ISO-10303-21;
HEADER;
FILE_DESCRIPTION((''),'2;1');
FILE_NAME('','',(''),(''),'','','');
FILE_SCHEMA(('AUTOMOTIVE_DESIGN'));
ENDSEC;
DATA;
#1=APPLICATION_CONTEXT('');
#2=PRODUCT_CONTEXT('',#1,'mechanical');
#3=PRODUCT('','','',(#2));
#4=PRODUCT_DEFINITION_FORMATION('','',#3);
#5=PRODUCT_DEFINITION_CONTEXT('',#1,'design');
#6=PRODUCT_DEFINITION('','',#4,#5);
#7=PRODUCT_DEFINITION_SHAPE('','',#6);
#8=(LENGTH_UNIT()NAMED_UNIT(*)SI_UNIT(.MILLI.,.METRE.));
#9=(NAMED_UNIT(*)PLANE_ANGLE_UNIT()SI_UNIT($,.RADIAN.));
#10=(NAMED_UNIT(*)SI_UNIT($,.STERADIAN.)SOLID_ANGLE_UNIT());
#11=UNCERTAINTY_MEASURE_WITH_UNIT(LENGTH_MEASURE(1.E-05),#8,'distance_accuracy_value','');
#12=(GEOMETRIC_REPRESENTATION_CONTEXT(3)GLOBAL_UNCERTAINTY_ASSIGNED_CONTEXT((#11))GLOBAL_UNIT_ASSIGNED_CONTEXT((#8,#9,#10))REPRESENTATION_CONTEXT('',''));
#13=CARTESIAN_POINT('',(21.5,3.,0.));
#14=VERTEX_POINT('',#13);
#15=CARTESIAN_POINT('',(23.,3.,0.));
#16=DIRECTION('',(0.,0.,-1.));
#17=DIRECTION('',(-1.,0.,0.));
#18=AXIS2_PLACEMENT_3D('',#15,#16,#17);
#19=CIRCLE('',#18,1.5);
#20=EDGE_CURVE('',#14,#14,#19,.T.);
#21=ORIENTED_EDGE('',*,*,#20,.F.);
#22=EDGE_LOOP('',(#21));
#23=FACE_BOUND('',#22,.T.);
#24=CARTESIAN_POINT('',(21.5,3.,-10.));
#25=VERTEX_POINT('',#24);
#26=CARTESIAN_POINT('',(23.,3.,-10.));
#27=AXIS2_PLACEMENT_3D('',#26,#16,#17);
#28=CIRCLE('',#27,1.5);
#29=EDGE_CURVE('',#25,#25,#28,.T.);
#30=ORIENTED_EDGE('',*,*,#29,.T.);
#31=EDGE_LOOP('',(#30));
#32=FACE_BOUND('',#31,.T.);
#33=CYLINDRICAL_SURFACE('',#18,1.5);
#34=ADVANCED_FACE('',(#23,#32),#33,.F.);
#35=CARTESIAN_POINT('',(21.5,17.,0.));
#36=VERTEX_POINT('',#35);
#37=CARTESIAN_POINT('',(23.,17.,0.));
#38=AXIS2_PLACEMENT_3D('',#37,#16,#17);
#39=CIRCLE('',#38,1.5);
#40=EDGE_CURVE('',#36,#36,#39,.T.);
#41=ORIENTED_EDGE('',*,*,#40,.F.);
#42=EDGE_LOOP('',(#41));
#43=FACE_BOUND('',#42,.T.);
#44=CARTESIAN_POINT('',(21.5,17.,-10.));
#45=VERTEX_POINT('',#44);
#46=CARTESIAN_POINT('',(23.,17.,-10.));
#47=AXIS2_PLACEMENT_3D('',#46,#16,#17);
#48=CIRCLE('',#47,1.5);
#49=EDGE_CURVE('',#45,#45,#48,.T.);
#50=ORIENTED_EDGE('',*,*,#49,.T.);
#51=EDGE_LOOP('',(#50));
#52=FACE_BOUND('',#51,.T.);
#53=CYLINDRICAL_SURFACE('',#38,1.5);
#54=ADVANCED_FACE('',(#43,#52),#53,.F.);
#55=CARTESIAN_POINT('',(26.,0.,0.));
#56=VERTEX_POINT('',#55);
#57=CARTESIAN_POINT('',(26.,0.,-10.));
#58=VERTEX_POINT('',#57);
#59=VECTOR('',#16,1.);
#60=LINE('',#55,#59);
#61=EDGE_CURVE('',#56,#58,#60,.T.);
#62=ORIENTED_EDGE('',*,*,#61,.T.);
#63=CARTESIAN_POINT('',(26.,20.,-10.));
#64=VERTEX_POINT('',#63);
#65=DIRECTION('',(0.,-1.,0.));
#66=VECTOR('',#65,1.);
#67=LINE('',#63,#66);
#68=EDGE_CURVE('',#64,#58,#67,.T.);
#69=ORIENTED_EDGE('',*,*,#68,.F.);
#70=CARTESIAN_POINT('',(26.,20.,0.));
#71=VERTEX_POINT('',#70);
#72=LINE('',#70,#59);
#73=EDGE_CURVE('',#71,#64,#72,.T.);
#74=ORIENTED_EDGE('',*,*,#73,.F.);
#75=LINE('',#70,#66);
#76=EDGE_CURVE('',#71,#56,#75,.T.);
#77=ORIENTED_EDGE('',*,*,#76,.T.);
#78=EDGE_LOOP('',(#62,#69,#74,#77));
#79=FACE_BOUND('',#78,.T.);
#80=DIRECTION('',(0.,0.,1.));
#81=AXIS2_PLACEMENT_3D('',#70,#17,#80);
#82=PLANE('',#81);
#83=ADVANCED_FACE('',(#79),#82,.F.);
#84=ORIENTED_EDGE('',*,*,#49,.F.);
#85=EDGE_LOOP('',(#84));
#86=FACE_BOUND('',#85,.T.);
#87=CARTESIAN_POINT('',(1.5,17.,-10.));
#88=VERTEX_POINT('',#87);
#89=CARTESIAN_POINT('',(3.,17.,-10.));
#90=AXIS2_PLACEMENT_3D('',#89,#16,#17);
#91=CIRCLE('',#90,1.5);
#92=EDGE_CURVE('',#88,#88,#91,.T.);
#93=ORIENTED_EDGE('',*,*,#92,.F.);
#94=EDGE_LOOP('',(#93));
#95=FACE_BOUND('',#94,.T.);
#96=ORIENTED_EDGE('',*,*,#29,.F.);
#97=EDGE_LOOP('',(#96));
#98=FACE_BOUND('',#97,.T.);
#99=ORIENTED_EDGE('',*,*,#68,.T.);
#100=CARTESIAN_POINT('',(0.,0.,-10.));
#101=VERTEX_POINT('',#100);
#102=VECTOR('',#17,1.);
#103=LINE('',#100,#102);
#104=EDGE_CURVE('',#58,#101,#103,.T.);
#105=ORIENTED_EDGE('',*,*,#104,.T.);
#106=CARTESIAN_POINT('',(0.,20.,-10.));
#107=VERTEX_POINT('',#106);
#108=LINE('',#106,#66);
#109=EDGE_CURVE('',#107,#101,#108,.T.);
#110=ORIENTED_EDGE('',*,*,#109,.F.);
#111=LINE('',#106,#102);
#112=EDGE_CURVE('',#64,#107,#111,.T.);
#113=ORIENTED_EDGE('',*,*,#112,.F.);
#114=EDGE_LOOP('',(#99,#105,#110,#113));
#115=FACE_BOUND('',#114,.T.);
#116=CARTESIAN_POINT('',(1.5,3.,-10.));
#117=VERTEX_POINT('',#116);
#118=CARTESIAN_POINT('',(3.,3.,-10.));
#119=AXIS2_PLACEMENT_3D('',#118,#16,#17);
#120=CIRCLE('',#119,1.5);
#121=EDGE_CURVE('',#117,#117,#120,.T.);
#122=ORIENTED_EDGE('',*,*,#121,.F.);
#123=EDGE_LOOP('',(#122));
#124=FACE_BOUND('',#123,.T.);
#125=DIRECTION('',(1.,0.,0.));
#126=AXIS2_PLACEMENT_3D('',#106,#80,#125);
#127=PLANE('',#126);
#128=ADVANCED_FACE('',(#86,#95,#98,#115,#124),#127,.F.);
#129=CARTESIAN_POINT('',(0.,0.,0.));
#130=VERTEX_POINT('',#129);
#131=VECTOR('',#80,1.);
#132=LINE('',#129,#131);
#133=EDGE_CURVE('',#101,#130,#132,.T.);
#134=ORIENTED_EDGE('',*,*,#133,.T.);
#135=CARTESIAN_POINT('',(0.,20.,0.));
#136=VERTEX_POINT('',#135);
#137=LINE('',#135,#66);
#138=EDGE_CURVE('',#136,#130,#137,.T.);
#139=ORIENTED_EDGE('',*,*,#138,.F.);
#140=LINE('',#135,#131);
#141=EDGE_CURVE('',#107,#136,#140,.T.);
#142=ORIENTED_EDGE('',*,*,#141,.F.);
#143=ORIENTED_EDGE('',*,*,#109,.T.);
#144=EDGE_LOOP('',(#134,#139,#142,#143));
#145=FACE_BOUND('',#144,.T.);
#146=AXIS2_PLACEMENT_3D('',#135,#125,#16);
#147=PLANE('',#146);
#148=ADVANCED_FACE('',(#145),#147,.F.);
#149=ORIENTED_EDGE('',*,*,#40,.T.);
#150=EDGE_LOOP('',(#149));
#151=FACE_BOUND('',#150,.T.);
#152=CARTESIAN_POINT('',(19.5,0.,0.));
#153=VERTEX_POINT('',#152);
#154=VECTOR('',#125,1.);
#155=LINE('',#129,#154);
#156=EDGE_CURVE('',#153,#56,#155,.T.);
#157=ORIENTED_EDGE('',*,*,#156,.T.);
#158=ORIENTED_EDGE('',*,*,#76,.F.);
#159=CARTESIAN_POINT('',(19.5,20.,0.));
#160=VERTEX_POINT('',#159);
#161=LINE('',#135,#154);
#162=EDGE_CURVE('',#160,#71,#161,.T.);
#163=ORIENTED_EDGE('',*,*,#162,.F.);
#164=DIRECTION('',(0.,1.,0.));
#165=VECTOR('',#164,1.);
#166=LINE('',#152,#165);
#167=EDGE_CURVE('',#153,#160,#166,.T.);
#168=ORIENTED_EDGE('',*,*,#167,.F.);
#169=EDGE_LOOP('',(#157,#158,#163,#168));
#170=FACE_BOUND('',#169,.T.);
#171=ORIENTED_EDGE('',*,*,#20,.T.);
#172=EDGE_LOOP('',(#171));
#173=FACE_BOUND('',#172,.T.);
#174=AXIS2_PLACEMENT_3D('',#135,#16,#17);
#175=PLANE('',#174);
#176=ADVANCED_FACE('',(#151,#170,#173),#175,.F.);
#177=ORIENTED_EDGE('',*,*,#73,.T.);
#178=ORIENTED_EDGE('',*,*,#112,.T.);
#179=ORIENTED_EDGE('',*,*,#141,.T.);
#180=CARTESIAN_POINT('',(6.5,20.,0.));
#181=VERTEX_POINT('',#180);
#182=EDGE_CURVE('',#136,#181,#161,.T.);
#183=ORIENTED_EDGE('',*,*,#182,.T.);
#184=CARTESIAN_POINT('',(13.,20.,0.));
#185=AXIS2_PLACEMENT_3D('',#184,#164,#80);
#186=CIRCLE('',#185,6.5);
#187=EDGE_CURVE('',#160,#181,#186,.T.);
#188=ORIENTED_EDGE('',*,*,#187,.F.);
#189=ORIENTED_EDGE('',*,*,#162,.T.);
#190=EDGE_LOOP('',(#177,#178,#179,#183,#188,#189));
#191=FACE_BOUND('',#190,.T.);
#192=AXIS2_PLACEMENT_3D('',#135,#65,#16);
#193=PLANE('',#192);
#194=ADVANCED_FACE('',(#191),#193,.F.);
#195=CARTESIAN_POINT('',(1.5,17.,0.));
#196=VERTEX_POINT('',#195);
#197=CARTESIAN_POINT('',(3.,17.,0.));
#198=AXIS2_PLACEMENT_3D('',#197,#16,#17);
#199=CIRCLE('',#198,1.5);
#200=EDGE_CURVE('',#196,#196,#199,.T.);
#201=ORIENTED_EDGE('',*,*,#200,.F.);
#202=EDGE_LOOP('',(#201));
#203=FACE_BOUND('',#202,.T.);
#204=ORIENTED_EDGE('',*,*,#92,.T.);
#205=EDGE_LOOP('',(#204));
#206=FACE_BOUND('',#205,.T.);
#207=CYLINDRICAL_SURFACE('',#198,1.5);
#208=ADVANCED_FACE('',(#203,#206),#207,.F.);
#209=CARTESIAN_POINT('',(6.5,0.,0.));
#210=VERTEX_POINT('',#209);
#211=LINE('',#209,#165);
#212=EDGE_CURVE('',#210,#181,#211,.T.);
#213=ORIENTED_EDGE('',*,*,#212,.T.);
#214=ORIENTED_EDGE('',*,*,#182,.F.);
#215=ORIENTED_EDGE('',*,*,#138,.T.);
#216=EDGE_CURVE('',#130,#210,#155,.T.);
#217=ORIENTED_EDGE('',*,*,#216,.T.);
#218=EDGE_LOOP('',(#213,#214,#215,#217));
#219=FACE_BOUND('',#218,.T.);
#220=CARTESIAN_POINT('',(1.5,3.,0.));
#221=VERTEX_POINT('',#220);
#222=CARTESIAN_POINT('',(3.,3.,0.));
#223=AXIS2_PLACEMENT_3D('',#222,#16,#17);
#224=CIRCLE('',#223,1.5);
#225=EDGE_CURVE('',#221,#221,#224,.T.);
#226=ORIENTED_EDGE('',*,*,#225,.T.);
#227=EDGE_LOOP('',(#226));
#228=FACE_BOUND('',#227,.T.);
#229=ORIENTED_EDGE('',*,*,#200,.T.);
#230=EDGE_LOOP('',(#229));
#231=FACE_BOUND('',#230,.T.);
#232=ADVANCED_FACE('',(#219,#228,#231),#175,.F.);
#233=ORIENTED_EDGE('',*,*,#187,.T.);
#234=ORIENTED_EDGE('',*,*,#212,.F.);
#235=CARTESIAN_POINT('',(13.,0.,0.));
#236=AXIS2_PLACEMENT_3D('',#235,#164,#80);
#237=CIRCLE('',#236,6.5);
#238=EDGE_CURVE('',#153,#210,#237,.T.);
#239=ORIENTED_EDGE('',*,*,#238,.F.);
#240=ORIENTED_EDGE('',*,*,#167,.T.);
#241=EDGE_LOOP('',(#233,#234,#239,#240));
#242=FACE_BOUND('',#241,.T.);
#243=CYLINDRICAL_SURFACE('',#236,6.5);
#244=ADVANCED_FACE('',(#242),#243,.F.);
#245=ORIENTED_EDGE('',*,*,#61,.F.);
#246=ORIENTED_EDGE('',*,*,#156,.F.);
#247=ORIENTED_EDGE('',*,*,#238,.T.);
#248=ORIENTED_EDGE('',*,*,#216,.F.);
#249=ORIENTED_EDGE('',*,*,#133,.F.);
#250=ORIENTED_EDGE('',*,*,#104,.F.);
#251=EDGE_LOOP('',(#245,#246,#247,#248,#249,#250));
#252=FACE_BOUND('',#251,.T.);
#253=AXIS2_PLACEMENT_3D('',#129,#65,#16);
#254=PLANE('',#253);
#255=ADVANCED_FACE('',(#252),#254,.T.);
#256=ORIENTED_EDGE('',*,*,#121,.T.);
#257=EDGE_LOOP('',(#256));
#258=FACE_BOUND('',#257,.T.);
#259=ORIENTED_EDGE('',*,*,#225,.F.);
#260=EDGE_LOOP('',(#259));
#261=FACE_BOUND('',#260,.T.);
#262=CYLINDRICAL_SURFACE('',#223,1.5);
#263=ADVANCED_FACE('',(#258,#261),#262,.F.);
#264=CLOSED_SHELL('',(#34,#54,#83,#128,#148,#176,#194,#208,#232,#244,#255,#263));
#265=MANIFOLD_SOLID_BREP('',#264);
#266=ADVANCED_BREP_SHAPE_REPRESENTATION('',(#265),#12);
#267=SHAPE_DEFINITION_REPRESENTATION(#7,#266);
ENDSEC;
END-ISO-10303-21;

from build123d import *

# Parameters (mm, degrees)
SKETCH1_W           = 26
SKETCH1_H           = 10
BOSS_EXTRUDE1_DEPTH = 20
CUT_EXTRUDE1_DEPTH  = 21
SKETCH3_R           = 1.5
CUT_EXTRUDE2_DEPTH  = 10


with BuildPart() as part:
    # Sketch1 → Boss-Extrude1 (new body)
    with BuildSketch(Plane(origin=(0, 0, 0), x_dir=(1, 0, 0), z_dir=(0, 1, 0))):
        with Locations((13, 5)):
            Rectangle(SKETCH1_W, SKETCH1_H)
    extrude(amount=BOSS_EXTRUDE1_DEPTH)

    # Sketch2 → Cut-Extrude1 (cut, through all)
    with BuildSketch(Plane(origin=(0, 20, 0), x_dir=(1, 0, 0), z_dir=(0, 1, 0))):
        with BuildLine():
            Line((6.5, 0), (19.5, 0))
            ThreePointArc((19.5, 0), (13, 6.5), (6.5, 0))
        make_face()
    extrude(amount=-CUT_EXTRUDE1_DEPTH, mode=Mode.SUBTRACT)

    # Sketch3 → Cut-Extrude2 (cut)
    with BuildSketch(Plane(origin=(0, 0, -10), x_dir=(-1, 0, 0), z_dir=(0, 0, -1))):
        with Locations((-23, 17)):
            Circle(SKETCH3_R)
        with Locations((-3, 17)):
            Circle(SKETCH3_R)
        with Locations((-3, 3)):
            Circle(SKETCH3_R)
        with Locations((-23, 3)):
            Circle(SKETCH3_R)
    extrude(amount=-CUT_EXTRUDE2_DEPTH, mode=Mode.SUBTRACT)


solid = part.part
